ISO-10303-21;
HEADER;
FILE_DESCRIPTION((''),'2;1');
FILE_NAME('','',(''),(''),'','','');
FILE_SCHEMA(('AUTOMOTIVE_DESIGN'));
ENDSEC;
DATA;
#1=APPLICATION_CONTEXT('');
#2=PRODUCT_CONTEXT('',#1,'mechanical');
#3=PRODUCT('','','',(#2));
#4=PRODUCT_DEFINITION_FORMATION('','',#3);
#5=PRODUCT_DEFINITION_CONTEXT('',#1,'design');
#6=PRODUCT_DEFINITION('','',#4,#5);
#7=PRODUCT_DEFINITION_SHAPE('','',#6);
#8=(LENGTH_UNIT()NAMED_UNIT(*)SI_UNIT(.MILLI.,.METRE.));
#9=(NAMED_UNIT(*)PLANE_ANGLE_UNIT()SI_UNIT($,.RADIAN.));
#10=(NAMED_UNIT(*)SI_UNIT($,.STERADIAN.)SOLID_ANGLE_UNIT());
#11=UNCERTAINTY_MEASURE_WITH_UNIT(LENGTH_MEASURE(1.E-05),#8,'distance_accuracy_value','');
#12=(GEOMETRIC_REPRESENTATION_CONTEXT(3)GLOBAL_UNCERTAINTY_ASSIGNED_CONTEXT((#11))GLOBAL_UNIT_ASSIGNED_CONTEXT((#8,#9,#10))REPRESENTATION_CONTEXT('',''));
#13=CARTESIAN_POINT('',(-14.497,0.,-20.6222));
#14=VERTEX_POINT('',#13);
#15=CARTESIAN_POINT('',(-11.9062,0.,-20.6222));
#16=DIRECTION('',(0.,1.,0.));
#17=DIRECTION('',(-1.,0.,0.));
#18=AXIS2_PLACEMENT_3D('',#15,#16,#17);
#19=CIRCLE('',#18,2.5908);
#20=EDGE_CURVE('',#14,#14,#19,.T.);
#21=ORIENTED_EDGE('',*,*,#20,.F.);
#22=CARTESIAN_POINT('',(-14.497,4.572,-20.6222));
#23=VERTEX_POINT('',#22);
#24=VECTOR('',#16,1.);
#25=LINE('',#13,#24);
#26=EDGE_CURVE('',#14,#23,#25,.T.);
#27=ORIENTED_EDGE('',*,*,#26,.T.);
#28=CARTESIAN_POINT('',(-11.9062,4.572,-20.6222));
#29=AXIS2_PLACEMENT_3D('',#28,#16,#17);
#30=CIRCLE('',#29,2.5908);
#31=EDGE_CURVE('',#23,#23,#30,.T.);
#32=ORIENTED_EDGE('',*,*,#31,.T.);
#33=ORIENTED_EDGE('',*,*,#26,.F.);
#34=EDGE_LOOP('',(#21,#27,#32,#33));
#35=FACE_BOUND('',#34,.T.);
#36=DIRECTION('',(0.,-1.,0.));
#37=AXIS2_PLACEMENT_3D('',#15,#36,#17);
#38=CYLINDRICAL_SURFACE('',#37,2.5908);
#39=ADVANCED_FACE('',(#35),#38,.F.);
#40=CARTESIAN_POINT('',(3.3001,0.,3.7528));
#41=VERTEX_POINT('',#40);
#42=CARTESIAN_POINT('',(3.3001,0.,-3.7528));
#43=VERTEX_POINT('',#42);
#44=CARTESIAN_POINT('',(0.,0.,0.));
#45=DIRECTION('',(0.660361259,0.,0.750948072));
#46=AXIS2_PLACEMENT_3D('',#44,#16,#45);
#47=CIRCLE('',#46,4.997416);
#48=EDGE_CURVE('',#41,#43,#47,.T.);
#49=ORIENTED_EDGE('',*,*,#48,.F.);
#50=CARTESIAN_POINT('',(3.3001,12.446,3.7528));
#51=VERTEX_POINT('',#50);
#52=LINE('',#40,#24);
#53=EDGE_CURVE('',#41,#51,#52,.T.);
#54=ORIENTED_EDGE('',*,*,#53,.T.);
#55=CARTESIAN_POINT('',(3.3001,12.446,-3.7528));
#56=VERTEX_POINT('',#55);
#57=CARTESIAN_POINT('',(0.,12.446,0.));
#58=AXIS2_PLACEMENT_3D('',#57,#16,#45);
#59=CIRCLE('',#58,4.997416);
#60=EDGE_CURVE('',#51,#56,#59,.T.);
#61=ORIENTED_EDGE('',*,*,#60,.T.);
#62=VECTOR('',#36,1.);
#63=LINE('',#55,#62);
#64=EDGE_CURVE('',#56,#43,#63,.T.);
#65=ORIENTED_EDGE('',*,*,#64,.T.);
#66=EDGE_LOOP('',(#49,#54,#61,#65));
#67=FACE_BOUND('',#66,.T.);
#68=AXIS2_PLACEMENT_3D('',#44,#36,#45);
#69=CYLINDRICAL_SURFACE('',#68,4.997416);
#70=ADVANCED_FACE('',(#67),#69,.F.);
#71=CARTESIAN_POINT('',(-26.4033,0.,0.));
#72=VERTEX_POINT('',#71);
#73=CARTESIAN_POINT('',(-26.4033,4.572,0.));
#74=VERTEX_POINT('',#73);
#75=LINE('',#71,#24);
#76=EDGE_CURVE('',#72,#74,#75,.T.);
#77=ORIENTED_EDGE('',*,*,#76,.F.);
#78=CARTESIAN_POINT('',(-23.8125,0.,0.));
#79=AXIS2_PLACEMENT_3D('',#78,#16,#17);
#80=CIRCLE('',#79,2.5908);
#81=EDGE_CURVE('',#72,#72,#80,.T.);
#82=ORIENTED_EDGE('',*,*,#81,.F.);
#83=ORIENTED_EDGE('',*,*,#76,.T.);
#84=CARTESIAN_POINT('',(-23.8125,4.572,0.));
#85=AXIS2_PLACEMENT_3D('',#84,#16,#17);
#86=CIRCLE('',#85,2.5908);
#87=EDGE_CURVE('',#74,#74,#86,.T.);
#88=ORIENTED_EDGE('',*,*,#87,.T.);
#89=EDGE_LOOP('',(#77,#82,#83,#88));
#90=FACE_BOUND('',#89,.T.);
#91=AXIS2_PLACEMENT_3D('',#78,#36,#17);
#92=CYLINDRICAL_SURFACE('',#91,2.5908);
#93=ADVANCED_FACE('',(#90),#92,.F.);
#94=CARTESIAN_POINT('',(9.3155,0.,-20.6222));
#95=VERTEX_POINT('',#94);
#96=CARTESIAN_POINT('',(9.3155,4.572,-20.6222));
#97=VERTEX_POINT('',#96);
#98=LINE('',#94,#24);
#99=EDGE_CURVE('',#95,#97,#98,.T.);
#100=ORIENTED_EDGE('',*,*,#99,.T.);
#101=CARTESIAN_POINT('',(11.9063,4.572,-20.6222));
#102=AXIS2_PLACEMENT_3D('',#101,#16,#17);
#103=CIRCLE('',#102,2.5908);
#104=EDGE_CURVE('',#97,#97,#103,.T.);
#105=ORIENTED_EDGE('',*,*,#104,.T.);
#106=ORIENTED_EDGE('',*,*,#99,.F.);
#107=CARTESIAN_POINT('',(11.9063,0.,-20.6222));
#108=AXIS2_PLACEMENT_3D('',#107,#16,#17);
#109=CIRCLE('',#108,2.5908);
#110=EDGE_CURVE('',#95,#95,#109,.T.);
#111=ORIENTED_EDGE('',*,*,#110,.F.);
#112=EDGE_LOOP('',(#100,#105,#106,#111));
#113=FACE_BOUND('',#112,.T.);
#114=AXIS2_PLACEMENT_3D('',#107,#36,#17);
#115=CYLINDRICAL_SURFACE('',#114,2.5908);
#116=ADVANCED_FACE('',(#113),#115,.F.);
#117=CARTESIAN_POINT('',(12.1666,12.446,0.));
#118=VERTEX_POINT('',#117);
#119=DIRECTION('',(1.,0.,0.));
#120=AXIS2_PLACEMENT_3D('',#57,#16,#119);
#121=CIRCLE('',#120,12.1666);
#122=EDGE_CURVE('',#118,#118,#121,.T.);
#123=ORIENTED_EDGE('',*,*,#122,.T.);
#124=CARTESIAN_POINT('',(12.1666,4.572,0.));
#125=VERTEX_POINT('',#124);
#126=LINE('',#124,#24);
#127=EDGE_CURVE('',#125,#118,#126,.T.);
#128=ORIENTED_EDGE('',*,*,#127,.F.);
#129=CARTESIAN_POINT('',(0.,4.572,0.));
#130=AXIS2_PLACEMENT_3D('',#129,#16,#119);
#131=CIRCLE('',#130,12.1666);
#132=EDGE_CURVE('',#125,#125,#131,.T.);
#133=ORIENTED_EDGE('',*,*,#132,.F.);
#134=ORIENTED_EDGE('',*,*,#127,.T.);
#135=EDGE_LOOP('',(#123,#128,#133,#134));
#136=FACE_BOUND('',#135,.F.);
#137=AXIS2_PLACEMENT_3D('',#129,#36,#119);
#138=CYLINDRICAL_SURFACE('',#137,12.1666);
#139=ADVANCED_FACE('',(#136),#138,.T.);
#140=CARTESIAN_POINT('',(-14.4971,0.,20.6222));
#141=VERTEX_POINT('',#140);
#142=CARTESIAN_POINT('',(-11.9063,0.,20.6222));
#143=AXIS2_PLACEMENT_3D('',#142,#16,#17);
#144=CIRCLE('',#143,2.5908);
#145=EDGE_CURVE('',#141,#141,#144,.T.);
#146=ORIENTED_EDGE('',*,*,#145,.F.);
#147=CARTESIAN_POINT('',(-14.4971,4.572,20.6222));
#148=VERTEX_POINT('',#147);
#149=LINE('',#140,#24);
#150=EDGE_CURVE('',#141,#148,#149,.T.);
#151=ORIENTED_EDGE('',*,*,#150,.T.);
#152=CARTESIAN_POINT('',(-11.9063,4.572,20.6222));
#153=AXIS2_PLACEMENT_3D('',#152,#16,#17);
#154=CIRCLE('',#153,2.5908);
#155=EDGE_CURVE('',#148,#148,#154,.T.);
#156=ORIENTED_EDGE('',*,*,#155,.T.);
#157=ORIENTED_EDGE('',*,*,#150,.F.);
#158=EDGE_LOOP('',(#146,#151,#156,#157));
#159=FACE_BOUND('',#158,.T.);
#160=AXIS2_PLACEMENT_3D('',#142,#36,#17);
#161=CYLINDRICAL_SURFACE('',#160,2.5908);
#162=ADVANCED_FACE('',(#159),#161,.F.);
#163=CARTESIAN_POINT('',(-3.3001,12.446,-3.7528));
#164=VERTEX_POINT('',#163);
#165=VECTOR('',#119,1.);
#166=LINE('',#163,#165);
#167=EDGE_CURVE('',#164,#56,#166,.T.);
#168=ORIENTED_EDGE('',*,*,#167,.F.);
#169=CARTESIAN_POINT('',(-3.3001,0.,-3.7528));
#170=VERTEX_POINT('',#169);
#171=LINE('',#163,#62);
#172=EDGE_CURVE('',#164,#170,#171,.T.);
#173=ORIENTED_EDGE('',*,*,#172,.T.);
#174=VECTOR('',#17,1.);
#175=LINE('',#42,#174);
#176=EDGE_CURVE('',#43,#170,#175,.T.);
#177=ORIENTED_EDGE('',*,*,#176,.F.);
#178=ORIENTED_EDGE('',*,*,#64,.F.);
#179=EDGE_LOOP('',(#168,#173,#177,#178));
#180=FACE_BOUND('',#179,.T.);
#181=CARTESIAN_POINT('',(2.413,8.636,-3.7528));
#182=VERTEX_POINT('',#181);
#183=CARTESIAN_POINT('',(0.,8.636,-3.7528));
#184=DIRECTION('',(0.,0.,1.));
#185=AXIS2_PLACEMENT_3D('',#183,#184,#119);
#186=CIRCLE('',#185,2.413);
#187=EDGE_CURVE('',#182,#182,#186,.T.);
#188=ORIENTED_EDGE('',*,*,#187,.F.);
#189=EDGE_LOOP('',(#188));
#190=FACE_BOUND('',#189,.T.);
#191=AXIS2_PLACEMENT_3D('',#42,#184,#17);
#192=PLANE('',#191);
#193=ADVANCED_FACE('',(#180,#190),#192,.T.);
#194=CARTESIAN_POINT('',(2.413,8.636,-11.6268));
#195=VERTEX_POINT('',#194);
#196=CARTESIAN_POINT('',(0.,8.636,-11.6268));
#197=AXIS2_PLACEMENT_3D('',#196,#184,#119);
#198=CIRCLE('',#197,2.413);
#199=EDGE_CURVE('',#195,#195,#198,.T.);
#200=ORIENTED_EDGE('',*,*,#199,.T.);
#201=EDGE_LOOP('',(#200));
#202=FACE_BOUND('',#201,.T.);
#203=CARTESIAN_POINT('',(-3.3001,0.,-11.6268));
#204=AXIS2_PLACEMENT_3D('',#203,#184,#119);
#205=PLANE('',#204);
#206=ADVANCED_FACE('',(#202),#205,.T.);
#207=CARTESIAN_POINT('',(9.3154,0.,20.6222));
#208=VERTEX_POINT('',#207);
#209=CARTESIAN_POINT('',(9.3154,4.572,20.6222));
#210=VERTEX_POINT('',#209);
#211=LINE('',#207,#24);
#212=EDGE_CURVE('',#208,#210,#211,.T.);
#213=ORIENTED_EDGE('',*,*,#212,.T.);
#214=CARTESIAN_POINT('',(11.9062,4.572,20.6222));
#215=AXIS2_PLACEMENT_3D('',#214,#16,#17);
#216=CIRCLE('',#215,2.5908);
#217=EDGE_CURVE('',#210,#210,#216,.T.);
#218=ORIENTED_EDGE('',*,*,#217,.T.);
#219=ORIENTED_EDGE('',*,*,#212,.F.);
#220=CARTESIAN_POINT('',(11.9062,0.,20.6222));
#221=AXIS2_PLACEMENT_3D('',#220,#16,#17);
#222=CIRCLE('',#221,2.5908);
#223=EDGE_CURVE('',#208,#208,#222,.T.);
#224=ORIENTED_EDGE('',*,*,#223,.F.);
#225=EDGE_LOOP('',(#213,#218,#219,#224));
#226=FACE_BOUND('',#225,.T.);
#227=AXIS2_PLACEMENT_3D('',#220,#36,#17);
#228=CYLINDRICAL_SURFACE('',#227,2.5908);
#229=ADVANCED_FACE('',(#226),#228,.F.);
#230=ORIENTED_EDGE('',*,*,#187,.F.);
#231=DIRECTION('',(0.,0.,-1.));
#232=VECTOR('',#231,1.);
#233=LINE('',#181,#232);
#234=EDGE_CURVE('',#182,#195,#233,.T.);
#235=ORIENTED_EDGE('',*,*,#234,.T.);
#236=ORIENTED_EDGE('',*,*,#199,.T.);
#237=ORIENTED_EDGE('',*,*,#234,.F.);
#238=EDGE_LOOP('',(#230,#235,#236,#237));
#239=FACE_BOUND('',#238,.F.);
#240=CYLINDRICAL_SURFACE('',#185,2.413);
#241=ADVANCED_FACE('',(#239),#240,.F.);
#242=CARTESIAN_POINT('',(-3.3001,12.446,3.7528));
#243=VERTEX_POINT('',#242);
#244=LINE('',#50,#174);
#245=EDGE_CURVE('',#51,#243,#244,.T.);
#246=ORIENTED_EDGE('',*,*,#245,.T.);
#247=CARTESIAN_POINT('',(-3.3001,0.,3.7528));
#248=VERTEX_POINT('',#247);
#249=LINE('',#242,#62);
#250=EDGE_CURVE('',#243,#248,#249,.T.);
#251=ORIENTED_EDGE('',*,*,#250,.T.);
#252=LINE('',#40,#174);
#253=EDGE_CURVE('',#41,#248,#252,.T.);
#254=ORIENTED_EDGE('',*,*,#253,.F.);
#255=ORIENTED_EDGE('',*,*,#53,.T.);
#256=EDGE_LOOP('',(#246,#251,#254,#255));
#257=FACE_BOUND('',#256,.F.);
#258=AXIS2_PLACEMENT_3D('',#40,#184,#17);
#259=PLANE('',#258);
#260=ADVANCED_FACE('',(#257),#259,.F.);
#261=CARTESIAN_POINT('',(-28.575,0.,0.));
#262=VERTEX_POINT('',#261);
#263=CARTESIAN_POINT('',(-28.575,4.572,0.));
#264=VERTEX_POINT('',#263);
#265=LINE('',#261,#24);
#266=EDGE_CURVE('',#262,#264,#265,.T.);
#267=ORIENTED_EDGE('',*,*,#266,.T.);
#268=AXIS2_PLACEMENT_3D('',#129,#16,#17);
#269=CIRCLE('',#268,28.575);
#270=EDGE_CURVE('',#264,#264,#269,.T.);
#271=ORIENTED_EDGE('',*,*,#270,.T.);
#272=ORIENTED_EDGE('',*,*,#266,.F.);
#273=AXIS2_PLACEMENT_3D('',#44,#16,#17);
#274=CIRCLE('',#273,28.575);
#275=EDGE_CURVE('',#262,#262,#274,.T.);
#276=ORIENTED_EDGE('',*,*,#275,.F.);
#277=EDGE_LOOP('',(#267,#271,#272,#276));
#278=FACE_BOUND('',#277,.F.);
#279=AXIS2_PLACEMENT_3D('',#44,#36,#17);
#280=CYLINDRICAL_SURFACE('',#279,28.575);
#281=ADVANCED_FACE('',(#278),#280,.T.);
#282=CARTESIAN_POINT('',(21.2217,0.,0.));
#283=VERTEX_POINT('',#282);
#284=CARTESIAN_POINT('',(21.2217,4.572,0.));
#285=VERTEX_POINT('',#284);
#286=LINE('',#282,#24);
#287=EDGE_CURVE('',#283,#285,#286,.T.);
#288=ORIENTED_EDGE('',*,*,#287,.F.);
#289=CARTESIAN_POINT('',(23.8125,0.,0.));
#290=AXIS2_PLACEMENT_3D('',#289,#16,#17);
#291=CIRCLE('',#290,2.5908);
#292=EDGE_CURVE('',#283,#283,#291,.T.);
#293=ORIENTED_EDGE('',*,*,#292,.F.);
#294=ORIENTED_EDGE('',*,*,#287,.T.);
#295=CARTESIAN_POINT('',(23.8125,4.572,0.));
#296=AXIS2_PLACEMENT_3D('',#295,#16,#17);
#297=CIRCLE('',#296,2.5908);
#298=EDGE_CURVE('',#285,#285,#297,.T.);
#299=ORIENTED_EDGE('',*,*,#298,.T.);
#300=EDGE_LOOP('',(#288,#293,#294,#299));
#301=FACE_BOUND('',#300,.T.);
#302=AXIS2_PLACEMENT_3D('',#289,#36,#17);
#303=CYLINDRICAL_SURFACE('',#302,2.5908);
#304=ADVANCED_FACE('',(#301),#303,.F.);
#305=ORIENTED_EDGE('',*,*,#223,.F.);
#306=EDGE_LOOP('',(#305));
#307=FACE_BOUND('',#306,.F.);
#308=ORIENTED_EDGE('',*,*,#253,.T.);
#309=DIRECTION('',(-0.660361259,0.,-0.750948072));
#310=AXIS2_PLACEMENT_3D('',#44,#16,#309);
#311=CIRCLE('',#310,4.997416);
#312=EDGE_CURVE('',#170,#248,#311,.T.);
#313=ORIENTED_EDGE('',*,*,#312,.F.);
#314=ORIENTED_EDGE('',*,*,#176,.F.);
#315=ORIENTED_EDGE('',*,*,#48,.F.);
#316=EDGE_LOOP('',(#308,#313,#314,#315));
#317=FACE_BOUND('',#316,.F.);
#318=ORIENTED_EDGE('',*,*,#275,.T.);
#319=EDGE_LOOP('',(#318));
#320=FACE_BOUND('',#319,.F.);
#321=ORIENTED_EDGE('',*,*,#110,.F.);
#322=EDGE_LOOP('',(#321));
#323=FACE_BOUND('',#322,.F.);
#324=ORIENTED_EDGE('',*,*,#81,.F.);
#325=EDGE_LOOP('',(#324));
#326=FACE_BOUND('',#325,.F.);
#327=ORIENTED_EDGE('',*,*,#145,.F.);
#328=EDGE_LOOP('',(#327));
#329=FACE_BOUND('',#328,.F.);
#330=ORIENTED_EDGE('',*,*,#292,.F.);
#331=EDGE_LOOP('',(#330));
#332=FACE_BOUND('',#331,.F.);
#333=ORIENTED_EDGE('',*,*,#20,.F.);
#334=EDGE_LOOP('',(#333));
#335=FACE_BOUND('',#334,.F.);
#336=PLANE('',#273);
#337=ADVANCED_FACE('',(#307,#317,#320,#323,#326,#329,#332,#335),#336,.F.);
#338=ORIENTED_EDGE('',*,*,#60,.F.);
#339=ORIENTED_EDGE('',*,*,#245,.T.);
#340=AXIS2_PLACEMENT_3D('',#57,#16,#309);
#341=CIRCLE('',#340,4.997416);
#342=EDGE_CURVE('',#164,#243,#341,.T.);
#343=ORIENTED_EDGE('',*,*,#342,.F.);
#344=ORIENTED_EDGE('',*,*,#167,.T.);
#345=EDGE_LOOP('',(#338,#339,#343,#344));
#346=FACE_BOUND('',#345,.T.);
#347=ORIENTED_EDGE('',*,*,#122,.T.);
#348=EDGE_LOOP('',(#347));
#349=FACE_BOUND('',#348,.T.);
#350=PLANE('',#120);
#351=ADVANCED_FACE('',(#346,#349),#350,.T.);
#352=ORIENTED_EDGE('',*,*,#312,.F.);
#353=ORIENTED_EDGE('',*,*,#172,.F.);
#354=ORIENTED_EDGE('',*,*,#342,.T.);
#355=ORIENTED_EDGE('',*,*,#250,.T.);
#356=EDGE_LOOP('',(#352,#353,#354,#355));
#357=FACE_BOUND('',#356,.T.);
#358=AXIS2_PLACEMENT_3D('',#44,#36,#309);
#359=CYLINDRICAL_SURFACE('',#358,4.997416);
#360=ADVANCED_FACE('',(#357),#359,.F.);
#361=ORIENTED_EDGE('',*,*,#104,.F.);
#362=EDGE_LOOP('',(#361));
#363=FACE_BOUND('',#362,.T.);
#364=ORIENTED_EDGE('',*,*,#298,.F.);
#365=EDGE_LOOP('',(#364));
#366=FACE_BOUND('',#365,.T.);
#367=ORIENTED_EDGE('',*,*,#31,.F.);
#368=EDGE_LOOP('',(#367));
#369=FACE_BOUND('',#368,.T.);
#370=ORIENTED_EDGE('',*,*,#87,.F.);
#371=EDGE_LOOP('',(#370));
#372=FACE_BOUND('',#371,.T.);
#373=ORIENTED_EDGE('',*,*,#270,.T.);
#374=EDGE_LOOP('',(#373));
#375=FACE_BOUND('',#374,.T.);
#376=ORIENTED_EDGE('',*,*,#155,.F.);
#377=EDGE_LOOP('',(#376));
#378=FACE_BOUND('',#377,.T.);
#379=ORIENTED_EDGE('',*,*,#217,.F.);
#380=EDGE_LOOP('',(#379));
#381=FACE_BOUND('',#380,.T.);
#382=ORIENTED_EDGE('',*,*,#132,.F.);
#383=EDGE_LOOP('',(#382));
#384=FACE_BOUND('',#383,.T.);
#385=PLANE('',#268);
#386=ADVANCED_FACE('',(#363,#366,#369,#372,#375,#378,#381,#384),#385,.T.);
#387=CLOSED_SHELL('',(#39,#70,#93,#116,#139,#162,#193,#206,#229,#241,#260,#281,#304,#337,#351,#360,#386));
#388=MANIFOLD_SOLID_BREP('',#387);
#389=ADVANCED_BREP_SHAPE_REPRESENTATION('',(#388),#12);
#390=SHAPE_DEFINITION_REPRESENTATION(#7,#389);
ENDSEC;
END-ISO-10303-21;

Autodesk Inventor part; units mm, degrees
ref_plane "YZ Plane" through (0, 0, 0) normal (1, 0, 0) x (0, 1, 0)
ref_plane "XZ Plane" through (0, 0, 0) normal (0, 1, 0) x (-1, 0, 0)
ref_plane "XY Plane" through (0, 0, 0) normal (0, 0, 1) x (1, 0, 0)
sketch "Sketch1" plane through (0, 0, 0) normal (0, 1, 0) x (-1, 0, 0)
  circle A0 centre (0, 0) radius 28.575
  circle A1 centre (0, 0) radius 23.8125 construction
  circle A2 centre (23.8125, 0) radius 2.5908
  circle A3 centre (0, 0) radius 28.575
  circle A4 centre (11.9063, 20.6222) radius 2.5908
  circle A5 centre (0, 0) radius 28.575
  circle A6 centre (-11.9062, 20.6222) radius 2.5908
  circle A7 centre (0, 0) radius 28.575
  circle A8 centre (-23.8125, 0) radius 2.5908
  circle A9 centre (0, 0) radius 28.575
  circle A10 centre (-11.9063, -20.6222) radius 2.5908
  circle A11 centre (0, 0) radius 28.575
  circle A12 centre (11.9062, -20.6222) radius 2.5908
  line L0 (-3.3001, 3.7528) -> (3.3001, 3.7528)
  line L1 (-3.3001, -3.7528) -> (3.3001, -3.7528)
  arc A13 (-3.3001, 3.7528) -> (-3.3001, -3.7528) centre (0, 0) ccw
  arc A14 (3.3001, -3.7528) -> (3.3001, 3.7528) centre (0, 0) ccw
  dimension "d1" = 47.625
  dimension "d0" = 57.15
  dimension "d2" = 5.1816
  dimension "d5" = 360
  dimension "d8" = 7.5057
  dimension "d9" = 3.7529
extrude "Extrusion1" add sketch "Sketch1" along normal blind 4.572
sketch "Sketch2" plane through (0, 4.572, 0) normal (0, 1, 0) x (1, 0, 0)
  arc A0 (-3.3001, 3.7528) -> (-3.3001, -3.7528) centre (0, 0) ccw projected
  line L0 (-3.3001, 3.7528) -> (3.3001, 3.7528) projected
  arc A1 (3.3001, -3.7528) -> (3.3001, 3.7528) centre (0, 0) ccw projected
  line L1 (3.3001, -3.7528) -> (-3.3001, -3.7528) projected
  circle A2 centre (0, 0) radius 28.575 projected
  circle A3 centre (0, 0) radius 12.1666
  dimension "d12" = 24.3332
extrude "Extrusion2" add sketch "Sketch2" along normal blind 7.874 contours A3
sketch "Sketch3" plane through (-3.3001, 0, -3.7528) normal (0, 0, 1) x (1, 0, 0)
  line L0 (6.6002, 0) -> (6.6002, 12.446) projected
  line L1 (0, 12.446) -> (6.6002, 12.446) projected
  circle A0 centre (3.3001, 8.636) radius 2.413
  point P0 (3.3001, 0)
  dimension "d16" = 4.826
  dimension "d17" = 3.81
  dimension "d18" = 3.3001
extrude "Extrusion3" cut sketch "Sketch3" against normal blind 7.874
equation "\"d9\" = 0.5 * d8"
properties part number "Snow Blower Hub" material "Aluminum 6061"
